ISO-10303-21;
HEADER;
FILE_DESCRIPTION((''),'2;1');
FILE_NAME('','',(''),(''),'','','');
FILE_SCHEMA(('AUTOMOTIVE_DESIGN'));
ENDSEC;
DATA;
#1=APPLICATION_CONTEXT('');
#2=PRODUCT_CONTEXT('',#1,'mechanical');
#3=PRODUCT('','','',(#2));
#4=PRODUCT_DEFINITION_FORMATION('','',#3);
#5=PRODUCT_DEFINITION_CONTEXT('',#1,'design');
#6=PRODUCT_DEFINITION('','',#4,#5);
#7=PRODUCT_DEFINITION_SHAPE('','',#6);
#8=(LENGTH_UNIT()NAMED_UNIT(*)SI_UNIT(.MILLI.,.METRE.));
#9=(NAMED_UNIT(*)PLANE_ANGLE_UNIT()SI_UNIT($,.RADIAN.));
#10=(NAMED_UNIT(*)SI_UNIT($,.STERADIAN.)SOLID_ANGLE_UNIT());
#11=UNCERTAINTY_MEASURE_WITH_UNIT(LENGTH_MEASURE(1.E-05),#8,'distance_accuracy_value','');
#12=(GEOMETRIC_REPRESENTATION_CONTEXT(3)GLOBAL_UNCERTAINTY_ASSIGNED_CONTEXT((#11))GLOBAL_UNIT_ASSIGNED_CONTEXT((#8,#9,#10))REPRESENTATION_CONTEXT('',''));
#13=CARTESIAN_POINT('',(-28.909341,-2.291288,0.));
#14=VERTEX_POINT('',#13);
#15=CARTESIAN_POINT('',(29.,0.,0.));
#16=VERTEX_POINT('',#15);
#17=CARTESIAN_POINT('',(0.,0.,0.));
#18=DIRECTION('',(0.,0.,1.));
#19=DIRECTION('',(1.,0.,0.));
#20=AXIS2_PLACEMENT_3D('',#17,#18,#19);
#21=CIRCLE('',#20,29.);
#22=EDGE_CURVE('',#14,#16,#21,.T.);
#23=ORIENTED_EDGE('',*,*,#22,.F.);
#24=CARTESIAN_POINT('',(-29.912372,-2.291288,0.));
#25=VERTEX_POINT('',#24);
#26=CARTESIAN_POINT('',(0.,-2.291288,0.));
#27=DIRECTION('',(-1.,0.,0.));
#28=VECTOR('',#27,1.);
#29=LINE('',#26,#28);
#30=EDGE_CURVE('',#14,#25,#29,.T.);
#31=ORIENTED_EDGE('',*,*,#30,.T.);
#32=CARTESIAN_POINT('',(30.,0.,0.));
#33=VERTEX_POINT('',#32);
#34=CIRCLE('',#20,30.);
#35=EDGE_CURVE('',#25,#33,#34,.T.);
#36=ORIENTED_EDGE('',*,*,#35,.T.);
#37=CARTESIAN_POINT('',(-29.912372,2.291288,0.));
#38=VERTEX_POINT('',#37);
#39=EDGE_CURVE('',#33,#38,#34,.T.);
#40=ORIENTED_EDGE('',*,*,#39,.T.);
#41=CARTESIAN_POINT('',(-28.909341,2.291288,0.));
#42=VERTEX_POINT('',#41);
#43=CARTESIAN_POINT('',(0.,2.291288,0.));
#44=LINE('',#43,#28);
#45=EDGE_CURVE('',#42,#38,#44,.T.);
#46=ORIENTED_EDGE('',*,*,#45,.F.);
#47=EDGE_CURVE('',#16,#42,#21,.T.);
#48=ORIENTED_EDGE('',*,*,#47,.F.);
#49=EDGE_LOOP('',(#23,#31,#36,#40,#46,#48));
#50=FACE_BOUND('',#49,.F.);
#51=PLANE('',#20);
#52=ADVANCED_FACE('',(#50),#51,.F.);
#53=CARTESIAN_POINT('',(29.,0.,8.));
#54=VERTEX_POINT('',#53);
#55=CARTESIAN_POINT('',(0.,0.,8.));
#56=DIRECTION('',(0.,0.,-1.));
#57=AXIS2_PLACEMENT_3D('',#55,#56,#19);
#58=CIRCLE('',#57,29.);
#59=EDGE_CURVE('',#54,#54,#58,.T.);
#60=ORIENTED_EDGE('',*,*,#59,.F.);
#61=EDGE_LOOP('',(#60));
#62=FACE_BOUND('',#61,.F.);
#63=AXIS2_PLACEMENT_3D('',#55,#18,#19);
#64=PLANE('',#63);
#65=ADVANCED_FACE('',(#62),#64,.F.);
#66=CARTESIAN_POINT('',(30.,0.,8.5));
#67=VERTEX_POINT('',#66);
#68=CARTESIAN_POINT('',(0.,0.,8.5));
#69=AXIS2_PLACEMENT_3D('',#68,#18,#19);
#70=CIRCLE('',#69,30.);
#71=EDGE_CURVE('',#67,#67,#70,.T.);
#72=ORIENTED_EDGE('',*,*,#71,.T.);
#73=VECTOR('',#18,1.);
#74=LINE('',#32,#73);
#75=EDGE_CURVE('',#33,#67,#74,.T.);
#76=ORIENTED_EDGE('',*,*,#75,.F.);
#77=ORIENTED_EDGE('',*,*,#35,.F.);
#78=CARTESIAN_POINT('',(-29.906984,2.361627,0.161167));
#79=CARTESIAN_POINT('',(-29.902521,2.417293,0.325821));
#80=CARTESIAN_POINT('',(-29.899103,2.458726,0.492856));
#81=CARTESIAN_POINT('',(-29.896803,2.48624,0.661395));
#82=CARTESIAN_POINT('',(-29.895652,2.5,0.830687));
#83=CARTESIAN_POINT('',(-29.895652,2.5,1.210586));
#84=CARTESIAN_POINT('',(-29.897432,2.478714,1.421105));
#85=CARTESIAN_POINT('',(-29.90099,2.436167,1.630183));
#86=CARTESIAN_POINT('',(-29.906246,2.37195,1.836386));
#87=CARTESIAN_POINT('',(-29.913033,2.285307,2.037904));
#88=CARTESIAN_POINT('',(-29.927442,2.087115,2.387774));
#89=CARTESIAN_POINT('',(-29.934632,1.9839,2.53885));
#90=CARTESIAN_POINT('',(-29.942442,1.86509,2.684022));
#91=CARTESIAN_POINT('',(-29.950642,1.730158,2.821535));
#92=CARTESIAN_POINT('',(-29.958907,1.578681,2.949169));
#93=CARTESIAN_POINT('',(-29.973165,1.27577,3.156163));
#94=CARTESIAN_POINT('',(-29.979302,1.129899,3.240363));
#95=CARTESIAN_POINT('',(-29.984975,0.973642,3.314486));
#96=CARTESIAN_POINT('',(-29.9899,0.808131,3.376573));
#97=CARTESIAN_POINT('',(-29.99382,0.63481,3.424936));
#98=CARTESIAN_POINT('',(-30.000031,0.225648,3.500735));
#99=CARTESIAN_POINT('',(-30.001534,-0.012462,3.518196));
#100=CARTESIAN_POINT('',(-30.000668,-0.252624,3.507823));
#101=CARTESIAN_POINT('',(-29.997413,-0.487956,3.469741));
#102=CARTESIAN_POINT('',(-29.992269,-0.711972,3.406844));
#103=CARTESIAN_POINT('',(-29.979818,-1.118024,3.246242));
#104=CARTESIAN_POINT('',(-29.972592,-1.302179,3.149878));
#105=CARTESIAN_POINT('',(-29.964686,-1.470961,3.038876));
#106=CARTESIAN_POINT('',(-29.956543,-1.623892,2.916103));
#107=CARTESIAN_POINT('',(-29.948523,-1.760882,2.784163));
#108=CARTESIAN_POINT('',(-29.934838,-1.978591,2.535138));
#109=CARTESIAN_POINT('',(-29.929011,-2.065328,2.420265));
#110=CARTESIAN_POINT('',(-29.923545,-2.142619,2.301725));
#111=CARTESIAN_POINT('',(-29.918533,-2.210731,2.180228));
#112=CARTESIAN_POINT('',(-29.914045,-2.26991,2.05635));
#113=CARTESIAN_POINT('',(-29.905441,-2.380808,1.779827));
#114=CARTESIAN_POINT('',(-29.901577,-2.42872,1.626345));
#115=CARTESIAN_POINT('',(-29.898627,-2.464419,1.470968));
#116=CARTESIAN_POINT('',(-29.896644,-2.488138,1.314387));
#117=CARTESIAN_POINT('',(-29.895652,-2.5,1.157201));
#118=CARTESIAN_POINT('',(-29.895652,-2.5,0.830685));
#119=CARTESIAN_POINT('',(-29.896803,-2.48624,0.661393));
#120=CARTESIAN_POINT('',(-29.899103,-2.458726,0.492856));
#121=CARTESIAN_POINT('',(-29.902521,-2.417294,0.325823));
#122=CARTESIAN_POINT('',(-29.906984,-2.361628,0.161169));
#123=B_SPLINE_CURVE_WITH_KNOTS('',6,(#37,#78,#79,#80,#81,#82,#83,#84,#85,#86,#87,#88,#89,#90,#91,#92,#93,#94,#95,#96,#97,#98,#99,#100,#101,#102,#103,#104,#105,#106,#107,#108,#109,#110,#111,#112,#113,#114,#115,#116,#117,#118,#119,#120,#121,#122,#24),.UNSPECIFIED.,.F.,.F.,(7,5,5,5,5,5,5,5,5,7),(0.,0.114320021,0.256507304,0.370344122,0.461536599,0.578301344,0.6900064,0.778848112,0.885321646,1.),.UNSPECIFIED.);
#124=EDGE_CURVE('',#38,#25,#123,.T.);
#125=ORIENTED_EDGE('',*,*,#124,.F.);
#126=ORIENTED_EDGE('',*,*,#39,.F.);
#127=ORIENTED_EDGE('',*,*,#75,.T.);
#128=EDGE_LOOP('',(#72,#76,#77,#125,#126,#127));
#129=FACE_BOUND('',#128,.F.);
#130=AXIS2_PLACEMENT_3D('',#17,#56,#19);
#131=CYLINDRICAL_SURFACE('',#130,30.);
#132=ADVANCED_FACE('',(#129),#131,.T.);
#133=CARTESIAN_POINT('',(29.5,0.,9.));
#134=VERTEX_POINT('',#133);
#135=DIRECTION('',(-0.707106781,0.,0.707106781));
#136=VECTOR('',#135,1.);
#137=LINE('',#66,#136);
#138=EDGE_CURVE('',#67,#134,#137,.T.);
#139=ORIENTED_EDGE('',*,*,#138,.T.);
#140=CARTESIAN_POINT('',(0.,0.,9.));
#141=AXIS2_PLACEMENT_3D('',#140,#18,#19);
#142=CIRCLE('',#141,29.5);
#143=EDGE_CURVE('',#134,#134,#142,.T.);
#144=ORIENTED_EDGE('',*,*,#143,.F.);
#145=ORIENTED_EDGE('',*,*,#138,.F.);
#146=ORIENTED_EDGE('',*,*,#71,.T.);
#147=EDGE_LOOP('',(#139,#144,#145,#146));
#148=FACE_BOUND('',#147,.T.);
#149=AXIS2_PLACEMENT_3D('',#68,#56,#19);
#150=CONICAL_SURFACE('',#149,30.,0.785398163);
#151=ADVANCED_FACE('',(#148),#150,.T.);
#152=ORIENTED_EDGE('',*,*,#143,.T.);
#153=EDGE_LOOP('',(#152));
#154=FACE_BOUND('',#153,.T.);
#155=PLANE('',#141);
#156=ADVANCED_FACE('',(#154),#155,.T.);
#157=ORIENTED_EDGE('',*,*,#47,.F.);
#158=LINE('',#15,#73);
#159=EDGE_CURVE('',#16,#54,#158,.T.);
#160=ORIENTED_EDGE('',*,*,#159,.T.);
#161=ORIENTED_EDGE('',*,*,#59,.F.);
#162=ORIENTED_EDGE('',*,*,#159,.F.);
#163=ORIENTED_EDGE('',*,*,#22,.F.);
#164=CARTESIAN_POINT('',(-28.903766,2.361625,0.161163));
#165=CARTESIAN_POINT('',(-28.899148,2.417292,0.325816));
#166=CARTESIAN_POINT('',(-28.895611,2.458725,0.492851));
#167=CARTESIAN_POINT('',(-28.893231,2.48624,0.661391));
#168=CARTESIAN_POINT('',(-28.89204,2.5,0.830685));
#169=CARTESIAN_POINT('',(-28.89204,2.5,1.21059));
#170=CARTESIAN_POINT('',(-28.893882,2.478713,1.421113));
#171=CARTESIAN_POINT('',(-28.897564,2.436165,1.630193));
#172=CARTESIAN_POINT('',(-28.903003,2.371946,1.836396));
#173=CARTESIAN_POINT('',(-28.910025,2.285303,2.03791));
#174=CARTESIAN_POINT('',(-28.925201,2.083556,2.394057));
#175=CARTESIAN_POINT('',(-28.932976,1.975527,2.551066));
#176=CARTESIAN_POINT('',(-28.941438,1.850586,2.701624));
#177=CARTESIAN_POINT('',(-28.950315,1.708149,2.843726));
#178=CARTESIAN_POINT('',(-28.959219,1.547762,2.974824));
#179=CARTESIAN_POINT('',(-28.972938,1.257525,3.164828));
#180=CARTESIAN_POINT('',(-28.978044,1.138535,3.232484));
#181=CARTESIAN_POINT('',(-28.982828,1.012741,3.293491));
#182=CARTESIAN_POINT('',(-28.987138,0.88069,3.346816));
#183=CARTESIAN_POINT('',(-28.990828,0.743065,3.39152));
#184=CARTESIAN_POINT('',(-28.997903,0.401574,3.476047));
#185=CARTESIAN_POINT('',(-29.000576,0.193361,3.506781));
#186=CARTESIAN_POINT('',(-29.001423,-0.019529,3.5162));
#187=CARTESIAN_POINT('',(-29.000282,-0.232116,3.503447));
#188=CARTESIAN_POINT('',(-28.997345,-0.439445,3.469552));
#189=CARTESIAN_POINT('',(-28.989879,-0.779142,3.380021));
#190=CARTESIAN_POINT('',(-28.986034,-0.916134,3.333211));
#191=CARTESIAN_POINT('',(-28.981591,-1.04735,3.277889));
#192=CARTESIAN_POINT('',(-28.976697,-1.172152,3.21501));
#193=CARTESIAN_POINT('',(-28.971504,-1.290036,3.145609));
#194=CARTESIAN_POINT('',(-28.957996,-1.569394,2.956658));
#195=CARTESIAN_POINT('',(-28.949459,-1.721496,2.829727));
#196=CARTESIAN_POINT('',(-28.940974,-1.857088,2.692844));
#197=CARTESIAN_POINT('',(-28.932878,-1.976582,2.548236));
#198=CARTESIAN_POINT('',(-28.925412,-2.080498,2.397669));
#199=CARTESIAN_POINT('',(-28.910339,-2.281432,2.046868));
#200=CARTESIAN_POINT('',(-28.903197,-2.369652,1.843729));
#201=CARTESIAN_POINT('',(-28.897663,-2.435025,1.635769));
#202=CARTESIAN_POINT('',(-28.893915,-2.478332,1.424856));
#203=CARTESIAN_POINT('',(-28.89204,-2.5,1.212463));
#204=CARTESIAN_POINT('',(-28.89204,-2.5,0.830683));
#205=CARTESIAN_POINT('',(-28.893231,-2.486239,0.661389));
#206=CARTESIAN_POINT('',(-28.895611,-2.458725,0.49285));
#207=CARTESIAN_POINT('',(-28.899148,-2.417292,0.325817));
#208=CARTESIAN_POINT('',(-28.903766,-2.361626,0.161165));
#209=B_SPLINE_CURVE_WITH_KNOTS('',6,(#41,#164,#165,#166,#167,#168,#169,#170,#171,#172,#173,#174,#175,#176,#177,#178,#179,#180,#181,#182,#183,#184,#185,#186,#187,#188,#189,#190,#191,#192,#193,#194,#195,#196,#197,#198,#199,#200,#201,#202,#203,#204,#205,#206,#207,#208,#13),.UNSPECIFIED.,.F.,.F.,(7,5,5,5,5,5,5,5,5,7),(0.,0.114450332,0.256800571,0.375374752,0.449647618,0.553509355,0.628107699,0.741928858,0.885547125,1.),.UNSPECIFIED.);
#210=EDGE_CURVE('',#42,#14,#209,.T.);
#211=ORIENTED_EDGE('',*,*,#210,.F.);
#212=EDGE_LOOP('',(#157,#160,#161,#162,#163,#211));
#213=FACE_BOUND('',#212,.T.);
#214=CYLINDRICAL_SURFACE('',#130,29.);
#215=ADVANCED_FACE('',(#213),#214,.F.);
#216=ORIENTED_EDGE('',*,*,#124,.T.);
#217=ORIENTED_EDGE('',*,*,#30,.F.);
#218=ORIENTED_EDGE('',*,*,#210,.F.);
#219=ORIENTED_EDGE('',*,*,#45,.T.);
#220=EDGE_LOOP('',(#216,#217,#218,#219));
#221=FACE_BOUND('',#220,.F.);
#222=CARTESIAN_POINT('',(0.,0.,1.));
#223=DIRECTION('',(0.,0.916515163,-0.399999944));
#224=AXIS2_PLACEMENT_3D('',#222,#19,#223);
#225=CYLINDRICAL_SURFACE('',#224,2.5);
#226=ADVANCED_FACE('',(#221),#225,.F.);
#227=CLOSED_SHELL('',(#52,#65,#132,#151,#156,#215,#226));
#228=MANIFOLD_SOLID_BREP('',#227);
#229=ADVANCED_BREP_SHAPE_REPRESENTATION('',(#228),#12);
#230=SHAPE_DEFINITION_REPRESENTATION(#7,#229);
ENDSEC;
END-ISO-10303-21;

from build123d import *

# Parameters (mm, degrees)
SKETCH002_R  = 30
PAD004_DEPTH = 9
THICKNESS_T  = -1
CHAMFER_SIZE = 0.5
POCKET_DEPTH = 30.001


with BuildPart() as part:
    # Sketch002 → Pad004 (new body)
    with BuildSketch(Plane.XY):
        Circle(SKETCH002_R)
    extrude(amount=PAD004_DEPTH)

    # Thickness
    thickness_openings = [part.faces().sort_by_distance(p)[0] for p in [
        (0, 0, 0),
    ]]
    offset(amount=THICKNESS_T, openings=thickness_openings)

    # Chamfer
    chamfer_edges = [part.edges().sort_by_distance(p)[0] for p in [
        (-30, 0, 9),
    ]]
    chamfer(chamfer_edges, length=CHAMFER_SIZE)

    # Sketch003 → Pocket (cut, through all)
    with BuildSketch(Plane.YZ):
        with BuildLine():
            ThreePointArc((2.291288, 0), (0, 3.5), (-2.291288, 0))
            Line((-2.291288, 0), (2.291288, 0))
        make_face()
    extrude(amount=-POCKET_DEPTH, mode=Mode.SUBTRACT)


solid = part.part
